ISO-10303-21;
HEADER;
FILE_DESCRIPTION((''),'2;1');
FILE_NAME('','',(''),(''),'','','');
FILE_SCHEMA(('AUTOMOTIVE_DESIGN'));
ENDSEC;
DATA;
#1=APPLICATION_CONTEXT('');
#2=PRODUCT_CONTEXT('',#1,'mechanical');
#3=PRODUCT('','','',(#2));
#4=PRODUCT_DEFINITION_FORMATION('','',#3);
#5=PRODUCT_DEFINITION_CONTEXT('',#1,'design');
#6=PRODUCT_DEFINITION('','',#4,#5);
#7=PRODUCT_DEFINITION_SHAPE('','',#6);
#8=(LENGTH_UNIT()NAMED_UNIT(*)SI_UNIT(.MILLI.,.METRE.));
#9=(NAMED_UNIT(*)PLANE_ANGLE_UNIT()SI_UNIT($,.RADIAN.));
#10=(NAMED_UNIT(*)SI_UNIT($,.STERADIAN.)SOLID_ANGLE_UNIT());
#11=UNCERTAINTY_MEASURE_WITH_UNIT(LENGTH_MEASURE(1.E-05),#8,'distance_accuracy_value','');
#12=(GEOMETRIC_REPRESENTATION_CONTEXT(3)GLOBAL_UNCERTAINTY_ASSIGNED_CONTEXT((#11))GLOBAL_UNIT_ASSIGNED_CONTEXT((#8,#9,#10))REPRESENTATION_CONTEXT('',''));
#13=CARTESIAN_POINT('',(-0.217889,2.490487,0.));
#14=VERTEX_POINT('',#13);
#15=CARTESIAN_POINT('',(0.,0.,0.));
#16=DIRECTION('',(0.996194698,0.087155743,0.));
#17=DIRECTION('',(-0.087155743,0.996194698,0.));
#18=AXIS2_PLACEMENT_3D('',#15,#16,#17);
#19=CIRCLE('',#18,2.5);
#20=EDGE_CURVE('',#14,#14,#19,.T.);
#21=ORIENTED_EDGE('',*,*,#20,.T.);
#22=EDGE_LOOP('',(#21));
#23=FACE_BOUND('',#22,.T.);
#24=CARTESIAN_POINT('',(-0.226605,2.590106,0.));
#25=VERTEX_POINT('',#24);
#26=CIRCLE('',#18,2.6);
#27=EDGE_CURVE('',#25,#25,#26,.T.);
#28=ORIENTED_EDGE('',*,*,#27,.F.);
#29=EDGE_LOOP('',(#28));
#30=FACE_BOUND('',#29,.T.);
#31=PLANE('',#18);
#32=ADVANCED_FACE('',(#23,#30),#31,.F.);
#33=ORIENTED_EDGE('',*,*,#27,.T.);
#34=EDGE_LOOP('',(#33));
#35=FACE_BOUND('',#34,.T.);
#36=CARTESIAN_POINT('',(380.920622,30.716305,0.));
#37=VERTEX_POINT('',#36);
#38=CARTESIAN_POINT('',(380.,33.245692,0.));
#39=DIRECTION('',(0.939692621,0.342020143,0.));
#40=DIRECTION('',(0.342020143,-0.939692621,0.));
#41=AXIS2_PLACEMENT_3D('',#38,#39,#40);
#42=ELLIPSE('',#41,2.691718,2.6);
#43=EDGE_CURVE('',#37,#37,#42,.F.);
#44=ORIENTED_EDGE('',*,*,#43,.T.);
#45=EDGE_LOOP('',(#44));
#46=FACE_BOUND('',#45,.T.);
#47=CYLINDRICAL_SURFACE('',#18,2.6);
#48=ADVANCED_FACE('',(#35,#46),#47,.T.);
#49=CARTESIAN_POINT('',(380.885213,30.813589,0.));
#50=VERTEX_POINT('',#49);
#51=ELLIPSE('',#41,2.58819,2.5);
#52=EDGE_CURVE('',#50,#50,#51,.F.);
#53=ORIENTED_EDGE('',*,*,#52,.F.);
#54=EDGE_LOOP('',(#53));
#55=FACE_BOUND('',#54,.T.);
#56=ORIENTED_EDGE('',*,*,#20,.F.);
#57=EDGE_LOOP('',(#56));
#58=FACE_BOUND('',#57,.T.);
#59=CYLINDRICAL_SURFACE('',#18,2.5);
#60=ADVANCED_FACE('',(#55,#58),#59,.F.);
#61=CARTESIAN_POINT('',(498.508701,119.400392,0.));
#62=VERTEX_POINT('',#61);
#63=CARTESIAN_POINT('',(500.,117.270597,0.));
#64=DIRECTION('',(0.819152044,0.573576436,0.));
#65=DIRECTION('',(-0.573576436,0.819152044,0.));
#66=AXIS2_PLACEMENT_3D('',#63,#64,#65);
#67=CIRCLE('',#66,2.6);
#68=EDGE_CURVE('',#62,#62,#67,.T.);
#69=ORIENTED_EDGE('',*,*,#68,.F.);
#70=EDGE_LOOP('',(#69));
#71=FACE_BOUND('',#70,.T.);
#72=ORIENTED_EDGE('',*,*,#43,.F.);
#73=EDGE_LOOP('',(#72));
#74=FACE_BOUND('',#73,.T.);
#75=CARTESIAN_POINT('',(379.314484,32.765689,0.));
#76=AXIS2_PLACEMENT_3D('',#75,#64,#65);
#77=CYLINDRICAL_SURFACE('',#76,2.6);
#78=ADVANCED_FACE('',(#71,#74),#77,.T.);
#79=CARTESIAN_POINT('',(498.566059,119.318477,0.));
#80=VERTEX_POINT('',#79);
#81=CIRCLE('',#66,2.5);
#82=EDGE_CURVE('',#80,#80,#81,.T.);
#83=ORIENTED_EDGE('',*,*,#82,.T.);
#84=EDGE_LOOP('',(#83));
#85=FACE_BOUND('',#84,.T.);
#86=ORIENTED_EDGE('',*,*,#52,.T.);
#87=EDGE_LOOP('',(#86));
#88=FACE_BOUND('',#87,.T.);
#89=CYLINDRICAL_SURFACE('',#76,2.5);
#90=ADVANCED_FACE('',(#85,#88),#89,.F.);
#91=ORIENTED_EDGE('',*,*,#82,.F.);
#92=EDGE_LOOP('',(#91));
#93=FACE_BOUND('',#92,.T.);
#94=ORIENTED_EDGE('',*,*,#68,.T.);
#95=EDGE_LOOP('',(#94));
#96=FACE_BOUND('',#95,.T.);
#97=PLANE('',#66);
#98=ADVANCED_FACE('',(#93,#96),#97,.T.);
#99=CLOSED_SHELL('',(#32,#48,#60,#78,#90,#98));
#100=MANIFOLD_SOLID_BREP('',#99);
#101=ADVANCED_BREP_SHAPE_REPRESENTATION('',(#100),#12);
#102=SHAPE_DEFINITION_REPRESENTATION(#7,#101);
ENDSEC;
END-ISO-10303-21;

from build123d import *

# Parameters (mm, degrees)
SKETCH3_R   = 2.6
SKETCH3_R_2 = 2.5


with BuildPart() as part:
    # Sweep-Thin1: sweep along a path in Sketch2
    with BuildLine(Plane.XY) as sweep_thin1_path:
        Line((0, 0), (380, 33.24569214))
        Line((380, 33.24569214), (500, 117.270596725))
    # Sketch3 → Sweep-Thin1 (sweep)
    with BuildSketch(Plane(origin=(0, 0, 0), x_dir=(0, 0, -1), z_dir=(0.996194698, 0.087155743, 0))):
        Circle(SKETCH3_R)
        Circle(SKETCH3_R_2, mode=Mode.SUBTRACT)
    sweep(path=sweep_thin1_path.line, transition=Transition.RIGHT)


solid = part.part
